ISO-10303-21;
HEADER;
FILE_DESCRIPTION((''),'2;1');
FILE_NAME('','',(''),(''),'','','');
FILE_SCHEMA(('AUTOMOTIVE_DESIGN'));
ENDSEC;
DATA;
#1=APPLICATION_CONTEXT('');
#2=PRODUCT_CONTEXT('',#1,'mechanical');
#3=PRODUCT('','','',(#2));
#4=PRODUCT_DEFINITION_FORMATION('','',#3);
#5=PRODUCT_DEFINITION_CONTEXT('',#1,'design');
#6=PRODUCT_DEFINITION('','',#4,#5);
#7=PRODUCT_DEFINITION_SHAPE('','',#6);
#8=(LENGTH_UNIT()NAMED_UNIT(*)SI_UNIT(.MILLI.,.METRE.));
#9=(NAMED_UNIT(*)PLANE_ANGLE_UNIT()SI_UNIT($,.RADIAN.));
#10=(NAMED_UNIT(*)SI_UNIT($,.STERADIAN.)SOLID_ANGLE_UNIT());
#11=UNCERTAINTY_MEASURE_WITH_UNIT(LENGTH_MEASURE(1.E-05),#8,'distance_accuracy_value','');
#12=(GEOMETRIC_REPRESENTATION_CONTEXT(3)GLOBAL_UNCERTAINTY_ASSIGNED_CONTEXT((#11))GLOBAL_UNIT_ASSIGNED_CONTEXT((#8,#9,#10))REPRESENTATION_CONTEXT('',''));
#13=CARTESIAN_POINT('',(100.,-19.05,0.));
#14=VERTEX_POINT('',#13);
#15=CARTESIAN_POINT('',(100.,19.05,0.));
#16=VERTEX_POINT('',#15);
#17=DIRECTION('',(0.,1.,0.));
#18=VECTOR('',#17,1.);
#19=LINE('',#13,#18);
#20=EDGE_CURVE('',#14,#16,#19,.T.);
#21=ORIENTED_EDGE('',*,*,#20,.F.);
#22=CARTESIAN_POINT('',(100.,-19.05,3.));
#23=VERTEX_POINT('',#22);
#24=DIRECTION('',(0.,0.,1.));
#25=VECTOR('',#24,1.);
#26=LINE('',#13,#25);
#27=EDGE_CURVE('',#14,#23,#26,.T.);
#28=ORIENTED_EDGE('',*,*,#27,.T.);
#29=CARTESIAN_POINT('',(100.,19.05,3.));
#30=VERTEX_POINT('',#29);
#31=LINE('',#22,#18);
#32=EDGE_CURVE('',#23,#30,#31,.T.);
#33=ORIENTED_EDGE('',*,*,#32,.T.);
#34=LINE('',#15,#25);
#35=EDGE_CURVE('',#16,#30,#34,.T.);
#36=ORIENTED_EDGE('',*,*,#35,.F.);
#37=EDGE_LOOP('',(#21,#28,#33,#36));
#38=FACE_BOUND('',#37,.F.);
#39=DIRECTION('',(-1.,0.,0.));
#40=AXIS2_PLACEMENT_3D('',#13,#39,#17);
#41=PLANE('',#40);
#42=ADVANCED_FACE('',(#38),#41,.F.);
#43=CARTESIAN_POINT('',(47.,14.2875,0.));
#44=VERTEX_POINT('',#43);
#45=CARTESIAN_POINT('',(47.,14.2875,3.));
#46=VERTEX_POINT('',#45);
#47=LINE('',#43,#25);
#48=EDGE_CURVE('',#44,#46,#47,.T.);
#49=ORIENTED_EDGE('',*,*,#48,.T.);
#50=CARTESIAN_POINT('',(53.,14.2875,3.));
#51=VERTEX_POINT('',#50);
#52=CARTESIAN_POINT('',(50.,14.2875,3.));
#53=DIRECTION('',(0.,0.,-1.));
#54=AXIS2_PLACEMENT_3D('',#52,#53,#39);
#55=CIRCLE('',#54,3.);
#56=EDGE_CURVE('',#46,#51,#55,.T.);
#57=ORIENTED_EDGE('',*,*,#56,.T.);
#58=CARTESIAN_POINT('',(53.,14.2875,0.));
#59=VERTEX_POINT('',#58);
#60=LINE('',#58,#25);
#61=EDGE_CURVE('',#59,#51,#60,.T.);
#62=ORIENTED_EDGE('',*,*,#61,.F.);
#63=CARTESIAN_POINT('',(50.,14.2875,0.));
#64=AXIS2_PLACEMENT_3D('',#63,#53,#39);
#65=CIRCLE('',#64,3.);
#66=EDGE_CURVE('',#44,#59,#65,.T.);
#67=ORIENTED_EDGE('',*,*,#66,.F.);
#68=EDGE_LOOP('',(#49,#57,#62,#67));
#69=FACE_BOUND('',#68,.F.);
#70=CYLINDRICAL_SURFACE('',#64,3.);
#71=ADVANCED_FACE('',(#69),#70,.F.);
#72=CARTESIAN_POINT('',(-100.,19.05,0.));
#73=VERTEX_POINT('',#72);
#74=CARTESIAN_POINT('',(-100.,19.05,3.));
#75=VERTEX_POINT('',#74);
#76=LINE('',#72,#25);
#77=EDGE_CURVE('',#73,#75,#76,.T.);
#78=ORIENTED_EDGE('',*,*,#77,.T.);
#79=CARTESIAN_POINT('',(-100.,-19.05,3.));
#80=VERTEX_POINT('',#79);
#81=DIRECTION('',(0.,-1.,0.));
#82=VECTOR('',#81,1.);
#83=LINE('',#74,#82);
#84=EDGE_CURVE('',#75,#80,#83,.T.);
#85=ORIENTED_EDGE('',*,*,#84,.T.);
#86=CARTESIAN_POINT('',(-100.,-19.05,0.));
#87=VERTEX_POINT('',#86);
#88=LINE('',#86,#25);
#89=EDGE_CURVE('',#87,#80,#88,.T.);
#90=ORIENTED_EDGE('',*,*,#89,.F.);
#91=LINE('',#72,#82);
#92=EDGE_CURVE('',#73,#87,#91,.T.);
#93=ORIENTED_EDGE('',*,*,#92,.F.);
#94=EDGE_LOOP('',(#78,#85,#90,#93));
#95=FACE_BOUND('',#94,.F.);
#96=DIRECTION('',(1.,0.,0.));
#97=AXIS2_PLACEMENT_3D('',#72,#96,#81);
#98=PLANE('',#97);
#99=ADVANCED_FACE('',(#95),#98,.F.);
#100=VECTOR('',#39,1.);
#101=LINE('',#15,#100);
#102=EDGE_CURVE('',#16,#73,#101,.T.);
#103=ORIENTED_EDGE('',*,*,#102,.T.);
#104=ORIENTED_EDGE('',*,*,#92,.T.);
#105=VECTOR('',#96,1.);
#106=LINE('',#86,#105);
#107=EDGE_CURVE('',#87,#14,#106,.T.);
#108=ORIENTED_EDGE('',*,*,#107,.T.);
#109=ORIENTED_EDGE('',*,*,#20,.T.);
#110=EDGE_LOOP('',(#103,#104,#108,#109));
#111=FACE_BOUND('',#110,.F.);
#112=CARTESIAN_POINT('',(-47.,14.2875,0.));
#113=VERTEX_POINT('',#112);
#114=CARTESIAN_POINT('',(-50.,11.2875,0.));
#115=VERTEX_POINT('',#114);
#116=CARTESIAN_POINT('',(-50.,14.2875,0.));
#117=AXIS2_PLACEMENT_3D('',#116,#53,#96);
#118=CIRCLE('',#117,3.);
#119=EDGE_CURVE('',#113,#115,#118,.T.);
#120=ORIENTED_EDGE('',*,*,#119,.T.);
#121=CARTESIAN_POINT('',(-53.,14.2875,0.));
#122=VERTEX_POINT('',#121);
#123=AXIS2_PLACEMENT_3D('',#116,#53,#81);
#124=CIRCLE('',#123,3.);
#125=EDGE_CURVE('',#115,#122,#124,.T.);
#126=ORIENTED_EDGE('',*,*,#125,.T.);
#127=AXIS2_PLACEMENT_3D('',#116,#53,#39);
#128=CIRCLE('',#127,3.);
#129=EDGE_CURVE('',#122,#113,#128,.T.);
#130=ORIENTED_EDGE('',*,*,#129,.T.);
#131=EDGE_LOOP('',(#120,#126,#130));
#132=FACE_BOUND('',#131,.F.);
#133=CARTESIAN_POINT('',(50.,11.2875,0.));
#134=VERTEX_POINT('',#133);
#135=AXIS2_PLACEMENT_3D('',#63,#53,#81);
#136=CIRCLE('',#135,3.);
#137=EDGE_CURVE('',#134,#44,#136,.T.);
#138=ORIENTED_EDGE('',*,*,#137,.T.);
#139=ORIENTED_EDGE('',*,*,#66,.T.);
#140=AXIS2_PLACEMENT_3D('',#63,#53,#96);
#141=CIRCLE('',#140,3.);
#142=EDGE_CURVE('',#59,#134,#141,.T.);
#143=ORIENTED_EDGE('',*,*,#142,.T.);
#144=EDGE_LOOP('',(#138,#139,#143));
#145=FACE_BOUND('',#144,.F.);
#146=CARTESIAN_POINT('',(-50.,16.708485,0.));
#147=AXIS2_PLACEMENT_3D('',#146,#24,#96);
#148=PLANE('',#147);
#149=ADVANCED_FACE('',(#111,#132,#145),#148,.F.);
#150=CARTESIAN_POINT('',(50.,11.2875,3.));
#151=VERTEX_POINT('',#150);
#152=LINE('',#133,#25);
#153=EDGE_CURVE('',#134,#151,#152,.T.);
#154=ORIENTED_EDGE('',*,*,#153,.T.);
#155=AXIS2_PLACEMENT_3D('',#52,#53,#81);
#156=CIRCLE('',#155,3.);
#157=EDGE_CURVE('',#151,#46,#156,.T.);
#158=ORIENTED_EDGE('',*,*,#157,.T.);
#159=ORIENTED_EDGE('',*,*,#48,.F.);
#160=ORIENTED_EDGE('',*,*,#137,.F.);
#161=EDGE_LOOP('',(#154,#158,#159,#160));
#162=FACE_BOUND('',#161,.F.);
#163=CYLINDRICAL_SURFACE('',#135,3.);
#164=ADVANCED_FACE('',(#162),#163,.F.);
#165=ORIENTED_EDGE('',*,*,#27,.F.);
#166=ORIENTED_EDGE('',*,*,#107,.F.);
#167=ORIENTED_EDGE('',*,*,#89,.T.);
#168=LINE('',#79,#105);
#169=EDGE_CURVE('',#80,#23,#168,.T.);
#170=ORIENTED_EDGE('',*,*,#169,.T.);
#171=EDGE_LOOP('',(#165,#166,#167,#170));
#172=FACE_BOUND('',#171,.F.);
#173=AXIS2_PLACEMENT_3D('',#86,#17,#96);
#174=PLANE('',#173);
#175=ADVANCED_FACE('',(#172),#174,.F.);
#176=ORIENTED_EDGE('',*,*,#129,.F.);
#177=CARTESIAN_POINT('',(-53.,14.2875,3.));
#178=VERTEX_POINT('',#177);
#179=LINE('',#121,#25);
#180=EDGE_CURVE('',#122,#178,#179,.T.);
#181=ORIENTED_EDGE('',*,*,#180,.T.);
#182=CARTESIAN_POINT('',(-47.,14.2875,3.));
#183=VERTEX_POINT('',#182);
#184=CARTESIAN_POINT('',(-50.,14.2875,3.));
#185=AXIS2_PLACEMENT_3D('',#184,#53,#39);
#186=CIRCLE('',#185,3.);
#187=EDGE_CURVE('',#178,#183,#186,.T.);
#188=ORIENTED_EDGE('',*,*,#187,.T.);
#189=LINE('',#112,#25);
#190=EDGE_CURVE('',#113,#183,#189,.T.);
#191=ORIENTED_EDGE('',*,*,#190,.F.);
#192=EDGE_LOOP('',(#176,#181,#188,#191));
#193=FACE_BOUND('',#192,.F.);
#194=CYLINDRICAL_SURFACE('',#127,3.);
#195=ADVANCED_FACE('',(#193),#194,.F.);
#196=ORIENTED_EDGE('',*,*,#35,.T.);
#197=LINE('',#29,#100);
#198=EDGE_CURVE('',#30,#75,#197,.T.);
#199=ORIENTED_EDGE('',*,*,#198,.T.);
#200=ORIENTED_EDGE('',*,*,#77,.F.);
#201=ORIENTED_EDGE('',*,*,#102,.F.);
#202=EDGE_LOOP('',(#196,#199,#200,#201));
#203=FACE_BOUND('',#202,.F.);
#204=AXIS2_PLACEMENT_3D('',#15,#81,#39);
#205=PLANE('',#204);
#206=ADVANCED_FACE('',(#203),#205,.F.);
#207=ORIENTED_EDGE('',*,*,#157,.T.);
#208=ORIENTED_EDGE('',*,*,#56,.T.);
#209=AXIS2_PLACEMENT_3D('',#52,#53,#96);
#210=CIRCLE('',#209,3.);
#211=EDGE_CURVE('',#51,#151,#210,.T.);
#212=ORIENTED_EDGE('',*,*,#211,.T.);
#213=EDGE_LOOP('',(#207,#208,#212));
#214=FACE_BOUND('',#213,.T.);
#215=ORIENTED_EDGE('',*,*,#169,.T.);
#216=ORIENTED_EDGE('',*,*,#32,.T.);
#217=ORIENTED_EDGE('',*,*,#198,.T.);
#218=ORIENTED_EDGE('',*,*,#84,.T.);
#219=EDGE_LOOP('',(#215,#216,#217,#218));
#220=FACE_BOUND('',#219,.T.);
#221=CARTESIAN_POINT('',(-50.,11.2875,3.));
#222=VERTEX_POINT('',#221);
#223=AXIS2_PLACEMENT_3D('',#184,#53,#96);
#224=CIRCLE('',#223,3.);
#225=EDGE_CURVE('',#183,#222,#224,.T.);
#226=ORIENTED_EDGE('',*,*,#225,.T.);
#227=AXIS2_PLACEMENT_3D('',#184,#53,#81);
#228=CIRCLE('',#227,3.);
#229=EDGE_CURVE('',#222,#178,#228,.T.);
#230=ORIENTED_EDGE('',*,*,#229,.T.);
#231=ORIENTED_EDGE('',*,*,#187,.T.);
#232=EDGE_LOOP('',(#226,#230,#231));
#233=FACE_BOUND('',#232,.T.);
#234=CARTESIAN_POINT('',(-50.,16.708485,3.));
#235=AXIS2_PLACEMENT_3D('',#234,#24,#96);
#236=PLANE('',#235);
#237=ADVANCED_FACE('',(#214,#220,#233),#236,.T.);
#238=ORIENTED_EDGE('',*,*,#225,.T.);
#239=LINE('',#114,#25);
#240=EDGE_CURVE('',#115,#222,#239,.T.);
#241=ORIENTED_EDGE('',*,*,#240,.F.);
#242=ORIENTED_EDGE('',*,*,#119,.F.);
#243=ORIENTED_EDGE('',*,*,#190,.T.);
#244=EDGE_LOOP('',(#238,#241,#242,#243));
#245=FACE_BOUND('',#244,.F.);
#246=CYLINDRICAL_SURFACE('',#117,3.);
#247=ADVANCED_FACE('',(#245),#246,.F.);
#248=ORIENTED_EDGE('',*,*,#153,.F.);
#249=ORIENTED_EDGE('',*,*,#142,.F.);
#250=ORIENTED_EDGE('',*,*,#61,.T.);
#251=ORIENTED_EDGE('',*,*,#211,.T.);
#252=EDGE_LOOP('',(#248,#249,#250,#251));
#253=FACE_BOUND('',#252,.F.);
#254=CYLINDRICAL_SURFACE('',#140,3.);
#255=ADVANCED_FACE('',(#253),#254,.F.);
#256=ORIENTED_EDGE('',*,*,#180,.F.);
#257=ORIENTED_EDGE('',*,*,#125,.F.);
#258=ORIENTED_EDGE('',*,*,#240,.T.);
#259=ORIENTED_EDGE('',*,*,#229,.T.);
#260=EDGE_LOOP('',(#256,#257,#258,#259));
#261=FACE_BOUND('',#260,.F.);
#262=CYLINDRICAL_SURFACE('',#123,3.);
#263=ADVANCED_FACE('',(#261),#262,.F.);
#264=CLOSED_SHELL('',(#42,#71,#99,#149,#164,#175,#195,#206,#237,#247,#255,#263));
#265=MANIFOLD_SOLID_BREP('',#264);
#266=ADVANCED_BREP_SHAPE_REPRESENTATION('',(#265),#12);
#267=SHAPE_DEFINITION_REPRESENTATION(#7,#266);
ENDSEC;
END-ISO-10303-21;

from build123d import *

# Parameters (mm, degrees)
F1_DEPTH = 3


with BuildPart() as f1:
    # F0 (on Top) → F1 (new body)
    with BuildSketch(Plane.XY):
        with BuildLine():
            Line((0, 19.05), (-100, 19.05))
            Line((-100, 19.05), (-100, 14.2875))
            Line((-100, 14.2875), (-53, 14.2875))
            ThreePointArc((-53, 14.2875), (-50, 17.2875), (-47, 14.2875))
            Line((-47, 14.2875), (0, 14.2875))
            Line((0, 14.2875), (0, 19.05))
        make_face()
        with BuildLine():
            Line((100, 19.05), (0, 19.05))
            Line((0, 19.05), (0, 14.2875))
            Line((0, 14.2875), (47, 14.2875))
            ThreePointArc((47, 14.2875), (50, 17.2875), (53, 14.2875))
            Line((53, 14.2875), (100, 14.2875))
            Line((100, 14.2875), (100, 19.05))
        make_face()
        with BuildLine():
            Line((-53, 14.2875), (-100, 14.2875))
            Line((-100, 14.2875), (-100, -19.05))
            Line((-100, -19.05), (100, -19.05))
            Line((100, -19.05), (100, 14.2875))
            Line((100, 14.2875), (53, 14.2875))
            ThreePointArc((53, 14.2875), (52.1213203436, 12.1661796564), (50, 11.2875))
            ThreePointArc((50, 11.2875), (47.8786796564, 12.1661796564), (47, 14.2875))
            Line((47, 14.2875), (0, 14.2875))
            Line((0, 14.2875), (-47, 14.2875))
            ThreePointArc((-47, 14.2875), (-47.8786796564, 12.1661796564), (-50, 11.2875))
            ThreePointArc((-50, 11.2875), (-52.1213203436, 12.1661796564), (-53, 14.2875))
        make_face()
    extrude(amount=F1_DEPTH)


solid = f1.part
